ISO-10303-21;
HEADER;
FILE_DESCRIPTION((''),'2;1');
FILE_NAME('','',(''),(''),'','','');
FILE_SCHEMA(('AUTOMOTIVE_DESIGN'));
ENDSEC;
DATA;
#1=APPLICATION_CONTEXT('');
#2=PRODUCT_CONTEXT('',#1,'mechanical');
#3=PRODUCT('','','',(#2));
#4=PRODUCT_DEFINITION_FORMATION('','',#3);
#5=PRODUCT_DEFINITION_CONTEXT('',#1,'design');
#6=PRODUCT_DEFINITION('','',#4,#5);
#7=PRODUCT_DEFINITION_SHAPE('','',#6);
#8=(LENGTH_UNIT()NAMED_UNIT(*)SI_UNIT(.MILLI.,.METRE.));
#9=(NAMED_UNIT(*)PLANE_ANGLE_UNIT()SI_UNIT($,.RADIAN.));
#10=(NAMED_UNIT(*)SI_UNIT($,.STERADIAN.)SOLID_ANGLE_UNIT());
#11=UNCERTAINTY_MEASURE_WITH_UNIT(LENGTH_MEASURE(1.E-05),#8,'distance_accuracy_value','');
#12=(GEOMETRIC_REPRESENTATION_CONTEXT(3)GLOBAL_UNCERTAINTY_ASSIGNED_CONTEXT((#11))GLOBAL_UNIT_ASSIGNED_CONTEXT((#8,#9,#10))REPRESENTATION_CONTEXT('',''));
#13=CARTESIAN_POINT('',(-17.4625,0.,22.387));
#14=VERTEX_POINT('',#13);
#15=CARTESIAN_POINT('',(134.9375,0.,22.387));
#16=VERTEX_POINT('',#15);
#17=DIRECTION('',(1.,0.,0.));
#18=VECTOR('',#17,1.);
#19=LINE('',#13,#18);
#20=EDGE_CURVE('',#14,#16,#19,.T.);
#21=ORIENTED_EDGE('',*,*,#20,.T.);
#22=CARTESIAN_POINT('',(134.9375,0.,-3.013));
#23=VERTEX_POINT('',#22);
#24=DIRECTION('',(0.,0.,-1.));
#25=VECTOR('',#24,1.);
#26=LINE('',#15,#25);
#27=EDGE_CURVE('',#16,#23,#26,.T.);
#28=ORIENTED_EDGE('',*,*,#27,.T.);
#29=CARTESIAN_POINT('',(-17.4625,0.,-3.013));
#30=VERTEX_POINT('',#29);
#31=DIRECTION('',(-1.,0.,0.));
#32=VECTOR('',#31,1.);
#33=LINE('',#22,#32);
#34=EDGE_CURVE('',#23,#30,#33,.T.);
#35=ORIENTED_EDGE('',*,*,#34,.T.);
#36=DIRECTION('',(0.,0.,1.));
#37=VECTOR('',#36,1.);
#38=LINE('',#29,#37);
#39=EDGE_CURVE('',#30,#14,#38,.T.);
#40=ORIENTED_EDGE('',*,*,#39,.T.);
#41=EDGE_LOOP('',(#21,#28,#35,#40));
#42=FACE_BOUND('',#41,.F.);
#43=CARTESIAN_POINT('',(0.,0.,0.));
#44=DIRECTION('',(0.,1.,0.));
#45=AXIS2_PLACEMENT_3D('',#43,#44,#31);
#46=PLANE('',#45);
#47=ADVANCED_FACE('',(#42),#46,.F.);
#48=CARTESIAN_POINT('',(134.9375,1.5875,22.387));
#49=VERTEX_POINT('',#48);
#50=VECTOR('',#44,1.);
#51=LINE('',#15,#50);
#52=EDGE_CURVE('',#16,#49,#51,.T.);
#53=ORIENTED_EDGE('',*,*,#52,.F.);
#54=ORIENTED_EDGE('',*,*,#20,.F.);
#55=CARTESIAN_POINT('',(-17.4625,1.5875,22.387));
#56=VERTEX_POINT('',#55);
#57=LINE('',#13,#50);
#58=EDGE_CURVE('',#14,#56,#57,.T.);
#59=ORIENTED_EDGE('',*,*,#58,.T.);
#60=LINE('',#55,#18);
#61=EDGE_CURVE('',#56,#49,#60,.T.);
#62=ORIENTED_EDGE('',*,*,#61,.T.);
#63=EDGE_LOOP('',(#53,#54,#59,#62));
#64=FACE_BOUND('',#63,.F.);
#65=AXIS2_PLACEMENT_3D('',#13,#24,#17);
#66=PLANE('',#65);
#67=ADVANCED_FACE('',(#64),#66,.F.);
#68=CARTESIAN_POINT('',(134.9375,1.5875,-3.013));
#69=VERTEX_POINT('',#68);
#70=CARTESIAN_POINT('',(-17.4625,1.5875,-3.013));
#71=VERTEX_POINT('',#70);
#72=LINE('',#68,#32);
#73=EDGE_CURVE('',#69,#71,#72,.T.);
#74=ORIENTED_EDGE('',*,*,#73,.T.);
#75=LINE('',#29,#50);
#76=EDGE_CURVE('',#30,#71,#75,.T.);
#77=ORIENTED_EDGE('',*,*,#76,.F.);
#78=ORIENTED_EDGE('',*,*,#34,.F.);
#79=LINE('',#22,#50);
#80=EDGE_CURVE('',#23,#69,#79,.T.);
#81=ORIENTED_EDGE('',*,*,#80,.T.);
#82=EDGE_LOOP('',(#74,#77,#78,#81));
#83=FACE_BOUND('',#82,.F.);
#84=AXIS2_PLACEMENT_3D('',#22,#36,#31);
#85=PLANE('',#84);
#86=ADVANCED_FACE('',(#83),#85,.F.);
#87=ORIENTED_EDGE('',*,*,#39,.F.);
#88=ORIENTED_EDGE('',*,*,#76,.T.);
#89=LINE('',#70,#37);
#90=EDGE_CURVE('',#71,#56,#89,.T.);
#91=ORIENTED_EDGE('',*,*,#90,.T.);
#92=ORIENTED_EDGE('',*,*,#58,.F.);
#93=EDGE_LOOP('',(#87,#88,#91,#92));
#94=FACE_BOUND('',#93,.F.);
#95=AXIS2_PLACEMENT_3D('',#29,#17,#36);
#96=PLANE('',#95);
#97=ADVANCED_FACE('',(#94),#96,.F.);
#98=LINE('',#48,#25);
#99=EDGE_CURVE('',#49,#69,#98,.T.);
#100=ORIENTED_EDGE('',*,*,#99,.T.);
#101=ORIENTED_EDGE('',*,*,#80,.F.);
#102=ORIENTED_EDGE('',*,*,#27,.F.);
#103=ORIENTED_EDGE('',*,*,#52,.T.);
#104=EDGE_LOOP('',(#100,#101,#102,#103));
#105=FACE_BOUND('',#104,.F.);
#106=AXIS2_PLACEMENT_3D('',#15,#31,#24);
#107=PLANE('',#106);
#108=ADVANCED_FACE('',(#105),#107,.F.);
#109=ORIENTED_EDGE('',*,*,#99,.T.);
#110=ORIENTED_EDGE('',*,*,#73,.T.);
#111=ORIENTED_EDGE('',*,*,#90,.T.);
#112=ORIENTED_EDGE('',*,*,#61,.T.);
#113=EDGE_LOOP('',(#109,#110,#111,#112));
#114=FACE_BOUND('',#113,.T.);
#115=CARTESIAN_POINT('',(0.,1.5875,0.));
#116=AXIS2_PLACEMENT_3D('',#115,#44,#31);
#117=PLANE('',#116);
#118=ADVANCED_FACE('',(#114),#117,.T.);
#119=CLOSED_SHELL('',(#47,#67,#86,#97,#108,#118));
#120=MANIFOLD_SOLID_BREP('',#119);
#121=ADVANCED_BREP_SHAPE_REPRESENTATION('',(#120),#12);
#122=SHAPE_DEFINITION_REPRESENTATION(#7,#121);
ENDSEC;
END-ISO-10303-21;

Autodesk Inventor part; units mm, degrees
ref_plane "YZ Plane" through (0, 0, 0) normal (1, 0, 0) x (0, 1, 0)
ref_plane "XZ Plane" through (0, 0, 0) normal (0, 1, 0) x (-1, 0, 0)
ref_plane "XY Plane" through (0, 0, 0) normal (0, 0, 1) x (1, 0, 0)
sketch "Sketch1" plane through (0, 0, 0) normal (0, 1, 0) x (-1, 0, 0)
  line L0 (17.4625, 22.387) -> (-134.9375, 22.387)
  line L1 (-134.9375, 22.387) -> (-134.9375, -3.013)
  line L2 (-134.9375, -3.013) -> (17.4625, -3.013)
  line L3 (17.4625, -3.013) -> (17.4625, 22.387)
  point P0 (0, 0)
  dimension "d0" = 25.4
  dimension "d1" = 152.4
extrude "Extrusion1" add sketch "Sketch1" along normal blind 1.5875
properties part number "Shim1-16"
